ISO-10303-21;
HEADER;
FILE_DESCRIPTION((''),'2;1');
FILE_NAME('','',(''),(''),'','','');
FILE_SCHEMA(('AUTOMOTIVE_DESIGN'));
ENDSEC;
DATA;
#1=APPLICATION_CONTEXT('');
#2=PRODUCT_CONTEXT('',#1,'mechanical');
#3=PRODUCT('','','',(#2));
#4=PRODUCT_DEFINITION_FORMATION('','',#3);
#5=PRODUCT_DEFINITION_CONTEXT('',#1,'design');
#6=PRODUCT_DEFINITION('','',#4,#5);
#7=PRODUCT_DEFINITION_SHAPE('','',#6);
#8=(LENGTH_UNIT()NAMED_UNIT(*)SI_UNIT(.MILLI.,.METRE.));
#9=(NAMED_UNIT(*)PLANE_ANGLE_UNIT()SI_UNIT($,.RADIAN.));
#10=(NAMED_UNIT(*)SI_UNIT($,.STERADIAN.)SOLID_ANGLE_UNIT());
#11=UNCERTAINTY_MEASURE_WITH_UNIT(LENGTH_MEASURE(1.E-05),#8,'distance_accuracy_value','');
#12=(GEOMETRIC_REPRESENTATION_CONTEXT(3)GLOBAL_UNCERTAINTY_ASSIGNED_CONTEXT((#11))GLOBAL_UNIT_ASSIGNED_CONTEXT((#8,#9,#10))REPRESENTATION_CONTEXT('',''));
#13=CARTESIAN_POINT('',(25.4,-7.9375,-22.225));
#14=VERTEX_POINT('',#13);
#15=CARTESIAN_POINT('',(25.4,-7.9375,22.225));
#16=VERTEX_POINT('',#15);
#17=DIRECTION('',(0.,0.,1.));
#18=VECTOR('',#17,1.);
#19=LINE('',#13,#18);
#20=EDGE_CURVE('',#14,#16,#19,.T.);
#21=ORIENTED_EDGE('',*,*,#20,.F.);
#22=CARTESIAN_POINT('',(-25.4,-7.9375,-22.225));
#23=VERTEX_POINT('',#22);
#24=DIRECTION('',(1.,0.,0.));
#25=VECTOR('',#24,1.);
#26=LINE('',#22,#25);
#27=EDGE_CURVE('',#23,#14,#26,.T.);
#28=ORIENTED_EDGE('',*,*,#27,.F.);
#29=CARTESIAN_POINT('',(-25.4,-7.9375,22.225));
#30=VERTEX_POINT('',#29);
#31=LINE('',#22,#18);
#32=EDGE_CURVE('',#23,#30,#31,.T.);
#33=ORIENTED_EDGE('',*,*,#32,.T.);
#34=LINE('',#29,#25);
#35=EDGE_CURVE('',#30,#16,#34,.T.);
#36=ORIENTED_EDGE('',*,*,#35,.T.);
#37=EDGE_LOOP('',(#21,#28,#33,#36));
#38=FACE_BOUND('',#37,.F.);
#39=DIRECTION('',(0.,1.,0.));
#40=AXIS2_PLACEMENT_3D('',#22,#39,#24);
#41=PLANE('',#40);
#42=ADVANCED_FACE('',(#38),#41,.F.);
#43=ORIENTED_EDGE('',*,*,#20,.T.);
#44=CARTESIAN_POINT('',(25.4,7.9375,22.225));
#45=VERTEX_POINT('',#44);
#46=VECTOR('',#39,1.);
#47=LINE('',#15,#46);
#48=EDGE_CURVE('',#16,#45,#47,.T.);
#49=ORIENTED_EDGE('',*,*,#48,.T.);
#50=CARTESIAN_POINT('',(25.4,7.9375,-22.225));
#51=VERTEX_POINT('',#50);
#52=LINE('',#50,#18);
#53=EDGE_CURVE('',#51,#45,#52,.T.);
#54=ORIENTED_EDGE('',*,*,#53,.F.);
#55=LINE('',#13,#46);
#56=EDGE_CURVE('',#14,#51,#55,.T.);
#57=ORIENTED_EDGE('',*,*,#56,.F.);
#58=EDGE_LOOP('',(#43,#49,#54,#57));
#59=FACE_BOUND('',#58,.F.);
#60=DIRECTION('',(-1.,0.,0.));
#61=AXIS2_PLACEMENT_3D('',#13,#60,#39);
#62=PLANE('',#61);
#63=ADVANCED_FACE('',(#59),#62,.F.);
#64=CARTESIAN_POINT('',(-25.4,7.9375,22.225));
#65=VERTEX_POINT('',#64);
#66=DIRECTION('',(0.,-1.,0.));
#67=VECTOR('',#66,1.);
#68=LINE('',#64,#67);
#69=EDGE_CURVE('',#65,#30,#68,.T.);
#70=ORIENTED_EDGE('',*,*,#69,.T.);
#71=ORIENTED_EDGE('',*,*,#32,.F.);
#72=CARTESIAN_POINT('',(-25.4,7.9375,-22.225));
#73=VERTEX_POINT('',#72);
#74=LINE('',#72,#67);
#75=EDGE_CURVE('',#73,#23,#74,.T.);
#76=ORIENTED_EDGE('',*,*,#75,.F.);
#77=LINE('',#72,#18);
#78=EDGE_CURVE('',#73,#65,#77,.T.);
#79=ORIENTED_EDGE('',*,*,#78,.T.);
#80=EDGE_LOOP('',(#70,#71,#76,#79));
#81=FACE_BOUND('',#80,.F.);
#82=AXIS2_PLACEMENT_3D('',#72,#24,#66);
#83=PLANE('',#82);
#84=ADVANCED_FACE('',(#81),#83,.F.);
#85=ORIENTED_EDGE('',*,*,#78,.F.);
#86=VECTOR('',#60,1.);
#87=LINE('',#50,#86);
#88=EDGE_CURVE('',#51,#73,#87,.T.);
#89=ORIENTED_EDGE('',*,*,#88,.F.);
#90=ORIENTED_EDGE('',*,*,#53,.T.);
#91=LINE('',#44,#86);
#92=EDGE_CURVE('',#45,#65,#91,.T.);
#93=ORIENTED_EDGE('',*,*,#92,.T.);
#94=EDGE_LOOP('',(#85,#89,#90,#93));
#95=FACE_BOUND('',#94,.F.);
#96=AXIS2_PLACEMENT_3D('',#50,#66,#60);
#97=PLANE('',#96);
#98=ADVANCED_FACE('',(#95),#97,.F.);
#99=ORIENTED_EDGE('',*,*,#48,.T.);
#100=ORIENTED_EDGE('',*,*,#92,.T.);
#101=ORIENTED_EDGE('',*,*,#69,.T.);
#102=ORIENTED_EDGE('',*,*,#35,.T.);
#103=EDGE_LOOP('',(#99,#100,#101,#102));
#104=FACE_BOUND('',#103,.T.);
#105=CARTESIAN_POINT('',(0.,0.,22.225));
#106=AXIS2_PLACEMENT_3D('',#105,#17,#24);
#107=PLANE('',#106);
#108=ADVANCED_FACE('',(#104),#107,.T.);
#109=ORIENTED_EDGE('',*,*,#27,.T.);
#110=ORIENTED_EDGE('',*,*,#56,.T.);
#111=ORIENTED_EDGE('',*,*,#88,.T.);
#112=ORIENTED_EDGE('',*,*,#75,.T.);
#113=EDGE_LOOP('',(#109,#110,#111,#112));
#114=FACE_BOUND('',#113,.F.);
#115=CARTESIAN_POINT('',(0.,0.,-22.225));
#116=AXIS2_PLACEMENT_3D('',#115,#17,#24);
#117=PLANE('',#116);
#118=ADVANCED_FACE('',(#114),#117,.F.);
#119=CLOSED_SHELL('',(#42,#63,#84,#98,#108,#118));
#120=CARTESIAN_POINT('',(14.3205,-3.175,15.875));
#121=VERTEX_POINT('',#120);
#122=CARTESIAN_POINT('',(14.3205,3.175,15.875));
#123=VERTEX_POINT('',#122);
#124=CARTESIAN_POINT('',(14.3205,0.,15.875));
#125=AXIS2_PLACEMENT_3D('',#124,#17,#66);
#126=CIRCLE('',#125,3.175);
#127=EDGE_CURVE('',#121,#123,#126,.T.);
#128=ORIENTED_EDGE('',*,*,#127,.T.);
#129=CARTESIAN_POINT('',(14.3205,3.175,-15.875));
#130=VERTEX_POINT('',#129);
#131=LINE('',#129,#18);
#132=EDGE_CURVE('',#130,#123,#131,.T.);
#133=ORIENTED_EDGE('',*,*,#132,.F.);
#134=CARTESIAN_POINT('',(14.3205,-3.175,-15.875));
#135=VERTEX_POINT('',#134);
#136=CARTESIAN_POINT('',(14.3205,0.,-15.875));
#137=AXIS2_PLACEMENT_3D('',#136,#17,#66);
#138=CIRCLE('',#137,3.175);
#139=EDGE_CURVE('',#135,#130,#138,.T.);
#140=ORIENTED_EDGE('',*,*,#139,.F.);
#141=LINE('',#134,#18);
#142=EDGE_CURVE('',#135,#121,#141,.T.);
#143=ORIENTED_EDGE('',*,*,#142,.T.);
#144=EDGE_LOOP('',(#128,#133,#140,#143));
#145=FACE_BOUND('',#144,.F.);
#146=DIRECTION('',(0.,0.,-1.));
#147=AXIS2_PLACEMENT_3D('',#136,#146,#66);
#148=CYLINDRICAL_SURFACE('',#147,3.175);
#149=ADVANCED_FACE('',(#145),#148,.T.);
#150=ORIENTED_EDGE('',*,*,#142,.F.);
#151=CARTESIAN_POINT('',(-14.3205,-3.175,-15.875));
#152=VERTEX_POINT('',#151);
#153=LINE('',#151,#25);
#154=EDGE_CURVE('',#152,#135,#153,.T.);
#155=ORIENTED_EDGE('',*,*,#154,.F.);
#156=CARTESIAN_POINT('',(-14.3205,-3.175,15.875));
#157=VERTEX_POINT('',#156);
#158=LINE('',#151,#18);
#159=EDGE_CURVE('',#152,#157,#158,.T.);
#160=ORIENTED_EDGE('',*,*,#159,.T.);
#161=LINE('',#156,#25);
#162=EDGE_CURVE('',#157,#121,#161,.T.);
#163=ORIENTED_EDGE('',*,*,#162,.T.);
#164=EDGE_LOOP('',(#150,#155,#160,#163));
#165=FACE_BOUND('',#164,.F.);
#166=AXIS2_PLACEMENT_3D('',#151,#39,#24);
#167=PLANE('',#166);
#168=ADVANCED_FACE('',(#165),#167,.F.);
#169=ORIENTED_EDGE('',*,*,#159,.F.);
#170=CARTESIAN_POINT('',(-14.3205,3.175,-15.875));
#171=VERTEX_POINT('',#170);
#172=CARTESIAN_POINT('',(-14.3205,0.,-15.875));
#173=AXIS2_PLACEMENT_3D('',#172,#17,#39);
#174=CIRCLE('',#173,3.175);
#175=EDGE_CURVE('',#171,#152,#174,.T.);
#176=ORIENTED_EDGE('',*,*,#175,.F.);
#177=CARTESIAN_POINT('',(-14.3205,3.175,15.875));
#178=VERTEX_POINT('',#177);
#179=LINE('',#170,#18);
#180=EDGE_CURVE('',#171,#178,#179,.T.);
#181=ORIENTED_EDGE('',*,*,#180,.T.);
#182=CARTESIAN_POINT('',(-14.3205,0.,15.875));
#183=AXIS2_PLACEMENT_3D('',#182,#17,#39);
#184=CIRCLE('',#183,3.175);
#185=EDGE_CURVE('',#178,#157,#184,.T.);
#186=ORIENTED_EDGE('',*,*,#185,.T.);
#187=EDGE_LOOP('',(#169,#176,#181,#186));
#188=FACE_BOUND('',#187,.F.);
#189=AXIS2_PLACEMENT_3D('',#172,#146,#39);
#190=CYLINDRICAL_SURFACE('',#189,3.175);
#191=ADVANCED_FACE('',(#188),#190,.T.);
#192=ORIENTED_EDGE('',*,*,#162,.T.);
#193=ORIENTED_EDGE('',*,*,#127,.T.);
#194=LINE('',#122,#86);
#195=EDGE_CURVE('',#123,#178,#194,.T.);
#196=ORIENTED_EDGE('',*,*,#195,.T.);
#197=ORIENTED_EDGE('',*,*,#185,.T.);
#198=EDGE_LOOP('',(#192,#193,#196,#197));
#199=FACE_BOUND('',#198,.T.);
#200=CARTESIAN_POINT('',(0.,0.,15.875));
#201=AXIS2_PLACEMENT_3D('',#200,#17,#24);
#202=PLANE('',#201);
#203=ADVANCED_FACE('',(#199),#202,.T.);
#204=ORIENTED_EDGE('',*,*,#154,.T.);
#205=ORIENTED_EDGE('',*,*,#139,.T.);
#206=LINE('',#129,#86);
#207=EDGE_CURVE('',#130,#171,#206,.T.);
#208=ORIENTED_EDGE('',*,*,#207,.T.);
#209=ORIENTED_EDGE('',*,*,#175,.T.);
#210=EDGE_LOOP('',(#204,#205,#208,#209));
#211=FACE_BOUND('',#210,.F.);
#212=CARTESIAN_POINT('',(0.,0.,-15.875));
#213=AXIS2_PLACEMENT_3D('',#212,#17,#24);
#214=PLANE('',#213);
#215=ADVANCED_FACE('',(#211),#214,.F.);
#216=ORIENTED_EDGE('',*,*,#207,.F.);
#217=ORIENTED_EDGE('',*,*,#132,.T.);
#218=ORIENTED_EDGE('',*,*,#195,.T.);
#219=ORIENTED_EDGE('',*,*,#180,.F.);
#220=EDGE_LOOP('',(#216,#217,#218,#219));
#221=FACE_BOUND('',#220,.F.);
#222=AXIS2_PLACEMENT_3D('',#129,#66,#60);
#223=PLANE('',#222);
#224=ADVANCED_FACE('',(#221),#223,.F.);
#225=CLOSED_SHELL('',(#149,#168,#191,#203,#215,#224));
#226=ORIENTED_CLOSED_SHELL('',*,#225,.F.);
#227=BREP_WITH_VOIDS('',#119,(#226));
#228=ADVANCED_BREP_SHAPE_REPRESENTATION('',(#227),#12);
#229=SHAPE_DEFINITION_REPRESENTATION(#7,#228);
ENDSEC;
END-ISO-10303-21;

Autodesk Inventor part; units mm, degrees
ref_plane "YZ Plane" through (0, 0, 0) normal (1, 0, 0) x (0, 1, 0)
ref_plane "XZ Plane" through (0, 0, 0) normal (0, 1, 0) x (-1, 0, 0)
ref_plane "XY Plane" through (0, 0, 0) normal (0, 0, 1) x (1, 0, 0)
sketch "Sketch1" plane through (0, 0, -15.875) normal (0, 0, 1) x (1, 0, 0)
  line L0 (-14.3205, -3.175) -> (14.3205, -3.175)
  arc A0 (14.3205, -3.175) -> (14.3205, 3.175) centre (14.3205, 0) ccw
  line L1 (14.3205, 3.175) -> (-14.3205, 3.175)
  arc A1 (-14.3205, 3.175) -> (-14.3205, -3.175) centre (-14.3205, 0) ccw
  line L2 (-14.3205, -3.175) -> (-14.3205, -3.175)
sketch "Sketch2" plane through (0, 0, -22.225) normal (0, 0, 1) x (1, 0, 0)
  line L0 (-25.4, -7.9375) -> (25.4, -7.9375)
  line L1 (25.4, -7.9375) -> (25.4, 7.9375)
  line L2 (25.4, 7.9375) -> (-25.4, 7.9375)
  line L3 (-25.4, 7.9375) -> (-25.4, -7.9375)
  line L4 (-25.4, -7.9375) -> (25.4, 7.9375) construction
  line L5 (25.4, -7.9375) -> (-25.4, 7.9375) construction
  point P0 (0, 0)
extrude "Extrusion1" add sketch "Sketch2" along normal blind 44.45
extrude "Extrusion2" cut sketch "Sketch1" along normal blind 31.75
properties part number "00002_Single_Mode_Rect"
